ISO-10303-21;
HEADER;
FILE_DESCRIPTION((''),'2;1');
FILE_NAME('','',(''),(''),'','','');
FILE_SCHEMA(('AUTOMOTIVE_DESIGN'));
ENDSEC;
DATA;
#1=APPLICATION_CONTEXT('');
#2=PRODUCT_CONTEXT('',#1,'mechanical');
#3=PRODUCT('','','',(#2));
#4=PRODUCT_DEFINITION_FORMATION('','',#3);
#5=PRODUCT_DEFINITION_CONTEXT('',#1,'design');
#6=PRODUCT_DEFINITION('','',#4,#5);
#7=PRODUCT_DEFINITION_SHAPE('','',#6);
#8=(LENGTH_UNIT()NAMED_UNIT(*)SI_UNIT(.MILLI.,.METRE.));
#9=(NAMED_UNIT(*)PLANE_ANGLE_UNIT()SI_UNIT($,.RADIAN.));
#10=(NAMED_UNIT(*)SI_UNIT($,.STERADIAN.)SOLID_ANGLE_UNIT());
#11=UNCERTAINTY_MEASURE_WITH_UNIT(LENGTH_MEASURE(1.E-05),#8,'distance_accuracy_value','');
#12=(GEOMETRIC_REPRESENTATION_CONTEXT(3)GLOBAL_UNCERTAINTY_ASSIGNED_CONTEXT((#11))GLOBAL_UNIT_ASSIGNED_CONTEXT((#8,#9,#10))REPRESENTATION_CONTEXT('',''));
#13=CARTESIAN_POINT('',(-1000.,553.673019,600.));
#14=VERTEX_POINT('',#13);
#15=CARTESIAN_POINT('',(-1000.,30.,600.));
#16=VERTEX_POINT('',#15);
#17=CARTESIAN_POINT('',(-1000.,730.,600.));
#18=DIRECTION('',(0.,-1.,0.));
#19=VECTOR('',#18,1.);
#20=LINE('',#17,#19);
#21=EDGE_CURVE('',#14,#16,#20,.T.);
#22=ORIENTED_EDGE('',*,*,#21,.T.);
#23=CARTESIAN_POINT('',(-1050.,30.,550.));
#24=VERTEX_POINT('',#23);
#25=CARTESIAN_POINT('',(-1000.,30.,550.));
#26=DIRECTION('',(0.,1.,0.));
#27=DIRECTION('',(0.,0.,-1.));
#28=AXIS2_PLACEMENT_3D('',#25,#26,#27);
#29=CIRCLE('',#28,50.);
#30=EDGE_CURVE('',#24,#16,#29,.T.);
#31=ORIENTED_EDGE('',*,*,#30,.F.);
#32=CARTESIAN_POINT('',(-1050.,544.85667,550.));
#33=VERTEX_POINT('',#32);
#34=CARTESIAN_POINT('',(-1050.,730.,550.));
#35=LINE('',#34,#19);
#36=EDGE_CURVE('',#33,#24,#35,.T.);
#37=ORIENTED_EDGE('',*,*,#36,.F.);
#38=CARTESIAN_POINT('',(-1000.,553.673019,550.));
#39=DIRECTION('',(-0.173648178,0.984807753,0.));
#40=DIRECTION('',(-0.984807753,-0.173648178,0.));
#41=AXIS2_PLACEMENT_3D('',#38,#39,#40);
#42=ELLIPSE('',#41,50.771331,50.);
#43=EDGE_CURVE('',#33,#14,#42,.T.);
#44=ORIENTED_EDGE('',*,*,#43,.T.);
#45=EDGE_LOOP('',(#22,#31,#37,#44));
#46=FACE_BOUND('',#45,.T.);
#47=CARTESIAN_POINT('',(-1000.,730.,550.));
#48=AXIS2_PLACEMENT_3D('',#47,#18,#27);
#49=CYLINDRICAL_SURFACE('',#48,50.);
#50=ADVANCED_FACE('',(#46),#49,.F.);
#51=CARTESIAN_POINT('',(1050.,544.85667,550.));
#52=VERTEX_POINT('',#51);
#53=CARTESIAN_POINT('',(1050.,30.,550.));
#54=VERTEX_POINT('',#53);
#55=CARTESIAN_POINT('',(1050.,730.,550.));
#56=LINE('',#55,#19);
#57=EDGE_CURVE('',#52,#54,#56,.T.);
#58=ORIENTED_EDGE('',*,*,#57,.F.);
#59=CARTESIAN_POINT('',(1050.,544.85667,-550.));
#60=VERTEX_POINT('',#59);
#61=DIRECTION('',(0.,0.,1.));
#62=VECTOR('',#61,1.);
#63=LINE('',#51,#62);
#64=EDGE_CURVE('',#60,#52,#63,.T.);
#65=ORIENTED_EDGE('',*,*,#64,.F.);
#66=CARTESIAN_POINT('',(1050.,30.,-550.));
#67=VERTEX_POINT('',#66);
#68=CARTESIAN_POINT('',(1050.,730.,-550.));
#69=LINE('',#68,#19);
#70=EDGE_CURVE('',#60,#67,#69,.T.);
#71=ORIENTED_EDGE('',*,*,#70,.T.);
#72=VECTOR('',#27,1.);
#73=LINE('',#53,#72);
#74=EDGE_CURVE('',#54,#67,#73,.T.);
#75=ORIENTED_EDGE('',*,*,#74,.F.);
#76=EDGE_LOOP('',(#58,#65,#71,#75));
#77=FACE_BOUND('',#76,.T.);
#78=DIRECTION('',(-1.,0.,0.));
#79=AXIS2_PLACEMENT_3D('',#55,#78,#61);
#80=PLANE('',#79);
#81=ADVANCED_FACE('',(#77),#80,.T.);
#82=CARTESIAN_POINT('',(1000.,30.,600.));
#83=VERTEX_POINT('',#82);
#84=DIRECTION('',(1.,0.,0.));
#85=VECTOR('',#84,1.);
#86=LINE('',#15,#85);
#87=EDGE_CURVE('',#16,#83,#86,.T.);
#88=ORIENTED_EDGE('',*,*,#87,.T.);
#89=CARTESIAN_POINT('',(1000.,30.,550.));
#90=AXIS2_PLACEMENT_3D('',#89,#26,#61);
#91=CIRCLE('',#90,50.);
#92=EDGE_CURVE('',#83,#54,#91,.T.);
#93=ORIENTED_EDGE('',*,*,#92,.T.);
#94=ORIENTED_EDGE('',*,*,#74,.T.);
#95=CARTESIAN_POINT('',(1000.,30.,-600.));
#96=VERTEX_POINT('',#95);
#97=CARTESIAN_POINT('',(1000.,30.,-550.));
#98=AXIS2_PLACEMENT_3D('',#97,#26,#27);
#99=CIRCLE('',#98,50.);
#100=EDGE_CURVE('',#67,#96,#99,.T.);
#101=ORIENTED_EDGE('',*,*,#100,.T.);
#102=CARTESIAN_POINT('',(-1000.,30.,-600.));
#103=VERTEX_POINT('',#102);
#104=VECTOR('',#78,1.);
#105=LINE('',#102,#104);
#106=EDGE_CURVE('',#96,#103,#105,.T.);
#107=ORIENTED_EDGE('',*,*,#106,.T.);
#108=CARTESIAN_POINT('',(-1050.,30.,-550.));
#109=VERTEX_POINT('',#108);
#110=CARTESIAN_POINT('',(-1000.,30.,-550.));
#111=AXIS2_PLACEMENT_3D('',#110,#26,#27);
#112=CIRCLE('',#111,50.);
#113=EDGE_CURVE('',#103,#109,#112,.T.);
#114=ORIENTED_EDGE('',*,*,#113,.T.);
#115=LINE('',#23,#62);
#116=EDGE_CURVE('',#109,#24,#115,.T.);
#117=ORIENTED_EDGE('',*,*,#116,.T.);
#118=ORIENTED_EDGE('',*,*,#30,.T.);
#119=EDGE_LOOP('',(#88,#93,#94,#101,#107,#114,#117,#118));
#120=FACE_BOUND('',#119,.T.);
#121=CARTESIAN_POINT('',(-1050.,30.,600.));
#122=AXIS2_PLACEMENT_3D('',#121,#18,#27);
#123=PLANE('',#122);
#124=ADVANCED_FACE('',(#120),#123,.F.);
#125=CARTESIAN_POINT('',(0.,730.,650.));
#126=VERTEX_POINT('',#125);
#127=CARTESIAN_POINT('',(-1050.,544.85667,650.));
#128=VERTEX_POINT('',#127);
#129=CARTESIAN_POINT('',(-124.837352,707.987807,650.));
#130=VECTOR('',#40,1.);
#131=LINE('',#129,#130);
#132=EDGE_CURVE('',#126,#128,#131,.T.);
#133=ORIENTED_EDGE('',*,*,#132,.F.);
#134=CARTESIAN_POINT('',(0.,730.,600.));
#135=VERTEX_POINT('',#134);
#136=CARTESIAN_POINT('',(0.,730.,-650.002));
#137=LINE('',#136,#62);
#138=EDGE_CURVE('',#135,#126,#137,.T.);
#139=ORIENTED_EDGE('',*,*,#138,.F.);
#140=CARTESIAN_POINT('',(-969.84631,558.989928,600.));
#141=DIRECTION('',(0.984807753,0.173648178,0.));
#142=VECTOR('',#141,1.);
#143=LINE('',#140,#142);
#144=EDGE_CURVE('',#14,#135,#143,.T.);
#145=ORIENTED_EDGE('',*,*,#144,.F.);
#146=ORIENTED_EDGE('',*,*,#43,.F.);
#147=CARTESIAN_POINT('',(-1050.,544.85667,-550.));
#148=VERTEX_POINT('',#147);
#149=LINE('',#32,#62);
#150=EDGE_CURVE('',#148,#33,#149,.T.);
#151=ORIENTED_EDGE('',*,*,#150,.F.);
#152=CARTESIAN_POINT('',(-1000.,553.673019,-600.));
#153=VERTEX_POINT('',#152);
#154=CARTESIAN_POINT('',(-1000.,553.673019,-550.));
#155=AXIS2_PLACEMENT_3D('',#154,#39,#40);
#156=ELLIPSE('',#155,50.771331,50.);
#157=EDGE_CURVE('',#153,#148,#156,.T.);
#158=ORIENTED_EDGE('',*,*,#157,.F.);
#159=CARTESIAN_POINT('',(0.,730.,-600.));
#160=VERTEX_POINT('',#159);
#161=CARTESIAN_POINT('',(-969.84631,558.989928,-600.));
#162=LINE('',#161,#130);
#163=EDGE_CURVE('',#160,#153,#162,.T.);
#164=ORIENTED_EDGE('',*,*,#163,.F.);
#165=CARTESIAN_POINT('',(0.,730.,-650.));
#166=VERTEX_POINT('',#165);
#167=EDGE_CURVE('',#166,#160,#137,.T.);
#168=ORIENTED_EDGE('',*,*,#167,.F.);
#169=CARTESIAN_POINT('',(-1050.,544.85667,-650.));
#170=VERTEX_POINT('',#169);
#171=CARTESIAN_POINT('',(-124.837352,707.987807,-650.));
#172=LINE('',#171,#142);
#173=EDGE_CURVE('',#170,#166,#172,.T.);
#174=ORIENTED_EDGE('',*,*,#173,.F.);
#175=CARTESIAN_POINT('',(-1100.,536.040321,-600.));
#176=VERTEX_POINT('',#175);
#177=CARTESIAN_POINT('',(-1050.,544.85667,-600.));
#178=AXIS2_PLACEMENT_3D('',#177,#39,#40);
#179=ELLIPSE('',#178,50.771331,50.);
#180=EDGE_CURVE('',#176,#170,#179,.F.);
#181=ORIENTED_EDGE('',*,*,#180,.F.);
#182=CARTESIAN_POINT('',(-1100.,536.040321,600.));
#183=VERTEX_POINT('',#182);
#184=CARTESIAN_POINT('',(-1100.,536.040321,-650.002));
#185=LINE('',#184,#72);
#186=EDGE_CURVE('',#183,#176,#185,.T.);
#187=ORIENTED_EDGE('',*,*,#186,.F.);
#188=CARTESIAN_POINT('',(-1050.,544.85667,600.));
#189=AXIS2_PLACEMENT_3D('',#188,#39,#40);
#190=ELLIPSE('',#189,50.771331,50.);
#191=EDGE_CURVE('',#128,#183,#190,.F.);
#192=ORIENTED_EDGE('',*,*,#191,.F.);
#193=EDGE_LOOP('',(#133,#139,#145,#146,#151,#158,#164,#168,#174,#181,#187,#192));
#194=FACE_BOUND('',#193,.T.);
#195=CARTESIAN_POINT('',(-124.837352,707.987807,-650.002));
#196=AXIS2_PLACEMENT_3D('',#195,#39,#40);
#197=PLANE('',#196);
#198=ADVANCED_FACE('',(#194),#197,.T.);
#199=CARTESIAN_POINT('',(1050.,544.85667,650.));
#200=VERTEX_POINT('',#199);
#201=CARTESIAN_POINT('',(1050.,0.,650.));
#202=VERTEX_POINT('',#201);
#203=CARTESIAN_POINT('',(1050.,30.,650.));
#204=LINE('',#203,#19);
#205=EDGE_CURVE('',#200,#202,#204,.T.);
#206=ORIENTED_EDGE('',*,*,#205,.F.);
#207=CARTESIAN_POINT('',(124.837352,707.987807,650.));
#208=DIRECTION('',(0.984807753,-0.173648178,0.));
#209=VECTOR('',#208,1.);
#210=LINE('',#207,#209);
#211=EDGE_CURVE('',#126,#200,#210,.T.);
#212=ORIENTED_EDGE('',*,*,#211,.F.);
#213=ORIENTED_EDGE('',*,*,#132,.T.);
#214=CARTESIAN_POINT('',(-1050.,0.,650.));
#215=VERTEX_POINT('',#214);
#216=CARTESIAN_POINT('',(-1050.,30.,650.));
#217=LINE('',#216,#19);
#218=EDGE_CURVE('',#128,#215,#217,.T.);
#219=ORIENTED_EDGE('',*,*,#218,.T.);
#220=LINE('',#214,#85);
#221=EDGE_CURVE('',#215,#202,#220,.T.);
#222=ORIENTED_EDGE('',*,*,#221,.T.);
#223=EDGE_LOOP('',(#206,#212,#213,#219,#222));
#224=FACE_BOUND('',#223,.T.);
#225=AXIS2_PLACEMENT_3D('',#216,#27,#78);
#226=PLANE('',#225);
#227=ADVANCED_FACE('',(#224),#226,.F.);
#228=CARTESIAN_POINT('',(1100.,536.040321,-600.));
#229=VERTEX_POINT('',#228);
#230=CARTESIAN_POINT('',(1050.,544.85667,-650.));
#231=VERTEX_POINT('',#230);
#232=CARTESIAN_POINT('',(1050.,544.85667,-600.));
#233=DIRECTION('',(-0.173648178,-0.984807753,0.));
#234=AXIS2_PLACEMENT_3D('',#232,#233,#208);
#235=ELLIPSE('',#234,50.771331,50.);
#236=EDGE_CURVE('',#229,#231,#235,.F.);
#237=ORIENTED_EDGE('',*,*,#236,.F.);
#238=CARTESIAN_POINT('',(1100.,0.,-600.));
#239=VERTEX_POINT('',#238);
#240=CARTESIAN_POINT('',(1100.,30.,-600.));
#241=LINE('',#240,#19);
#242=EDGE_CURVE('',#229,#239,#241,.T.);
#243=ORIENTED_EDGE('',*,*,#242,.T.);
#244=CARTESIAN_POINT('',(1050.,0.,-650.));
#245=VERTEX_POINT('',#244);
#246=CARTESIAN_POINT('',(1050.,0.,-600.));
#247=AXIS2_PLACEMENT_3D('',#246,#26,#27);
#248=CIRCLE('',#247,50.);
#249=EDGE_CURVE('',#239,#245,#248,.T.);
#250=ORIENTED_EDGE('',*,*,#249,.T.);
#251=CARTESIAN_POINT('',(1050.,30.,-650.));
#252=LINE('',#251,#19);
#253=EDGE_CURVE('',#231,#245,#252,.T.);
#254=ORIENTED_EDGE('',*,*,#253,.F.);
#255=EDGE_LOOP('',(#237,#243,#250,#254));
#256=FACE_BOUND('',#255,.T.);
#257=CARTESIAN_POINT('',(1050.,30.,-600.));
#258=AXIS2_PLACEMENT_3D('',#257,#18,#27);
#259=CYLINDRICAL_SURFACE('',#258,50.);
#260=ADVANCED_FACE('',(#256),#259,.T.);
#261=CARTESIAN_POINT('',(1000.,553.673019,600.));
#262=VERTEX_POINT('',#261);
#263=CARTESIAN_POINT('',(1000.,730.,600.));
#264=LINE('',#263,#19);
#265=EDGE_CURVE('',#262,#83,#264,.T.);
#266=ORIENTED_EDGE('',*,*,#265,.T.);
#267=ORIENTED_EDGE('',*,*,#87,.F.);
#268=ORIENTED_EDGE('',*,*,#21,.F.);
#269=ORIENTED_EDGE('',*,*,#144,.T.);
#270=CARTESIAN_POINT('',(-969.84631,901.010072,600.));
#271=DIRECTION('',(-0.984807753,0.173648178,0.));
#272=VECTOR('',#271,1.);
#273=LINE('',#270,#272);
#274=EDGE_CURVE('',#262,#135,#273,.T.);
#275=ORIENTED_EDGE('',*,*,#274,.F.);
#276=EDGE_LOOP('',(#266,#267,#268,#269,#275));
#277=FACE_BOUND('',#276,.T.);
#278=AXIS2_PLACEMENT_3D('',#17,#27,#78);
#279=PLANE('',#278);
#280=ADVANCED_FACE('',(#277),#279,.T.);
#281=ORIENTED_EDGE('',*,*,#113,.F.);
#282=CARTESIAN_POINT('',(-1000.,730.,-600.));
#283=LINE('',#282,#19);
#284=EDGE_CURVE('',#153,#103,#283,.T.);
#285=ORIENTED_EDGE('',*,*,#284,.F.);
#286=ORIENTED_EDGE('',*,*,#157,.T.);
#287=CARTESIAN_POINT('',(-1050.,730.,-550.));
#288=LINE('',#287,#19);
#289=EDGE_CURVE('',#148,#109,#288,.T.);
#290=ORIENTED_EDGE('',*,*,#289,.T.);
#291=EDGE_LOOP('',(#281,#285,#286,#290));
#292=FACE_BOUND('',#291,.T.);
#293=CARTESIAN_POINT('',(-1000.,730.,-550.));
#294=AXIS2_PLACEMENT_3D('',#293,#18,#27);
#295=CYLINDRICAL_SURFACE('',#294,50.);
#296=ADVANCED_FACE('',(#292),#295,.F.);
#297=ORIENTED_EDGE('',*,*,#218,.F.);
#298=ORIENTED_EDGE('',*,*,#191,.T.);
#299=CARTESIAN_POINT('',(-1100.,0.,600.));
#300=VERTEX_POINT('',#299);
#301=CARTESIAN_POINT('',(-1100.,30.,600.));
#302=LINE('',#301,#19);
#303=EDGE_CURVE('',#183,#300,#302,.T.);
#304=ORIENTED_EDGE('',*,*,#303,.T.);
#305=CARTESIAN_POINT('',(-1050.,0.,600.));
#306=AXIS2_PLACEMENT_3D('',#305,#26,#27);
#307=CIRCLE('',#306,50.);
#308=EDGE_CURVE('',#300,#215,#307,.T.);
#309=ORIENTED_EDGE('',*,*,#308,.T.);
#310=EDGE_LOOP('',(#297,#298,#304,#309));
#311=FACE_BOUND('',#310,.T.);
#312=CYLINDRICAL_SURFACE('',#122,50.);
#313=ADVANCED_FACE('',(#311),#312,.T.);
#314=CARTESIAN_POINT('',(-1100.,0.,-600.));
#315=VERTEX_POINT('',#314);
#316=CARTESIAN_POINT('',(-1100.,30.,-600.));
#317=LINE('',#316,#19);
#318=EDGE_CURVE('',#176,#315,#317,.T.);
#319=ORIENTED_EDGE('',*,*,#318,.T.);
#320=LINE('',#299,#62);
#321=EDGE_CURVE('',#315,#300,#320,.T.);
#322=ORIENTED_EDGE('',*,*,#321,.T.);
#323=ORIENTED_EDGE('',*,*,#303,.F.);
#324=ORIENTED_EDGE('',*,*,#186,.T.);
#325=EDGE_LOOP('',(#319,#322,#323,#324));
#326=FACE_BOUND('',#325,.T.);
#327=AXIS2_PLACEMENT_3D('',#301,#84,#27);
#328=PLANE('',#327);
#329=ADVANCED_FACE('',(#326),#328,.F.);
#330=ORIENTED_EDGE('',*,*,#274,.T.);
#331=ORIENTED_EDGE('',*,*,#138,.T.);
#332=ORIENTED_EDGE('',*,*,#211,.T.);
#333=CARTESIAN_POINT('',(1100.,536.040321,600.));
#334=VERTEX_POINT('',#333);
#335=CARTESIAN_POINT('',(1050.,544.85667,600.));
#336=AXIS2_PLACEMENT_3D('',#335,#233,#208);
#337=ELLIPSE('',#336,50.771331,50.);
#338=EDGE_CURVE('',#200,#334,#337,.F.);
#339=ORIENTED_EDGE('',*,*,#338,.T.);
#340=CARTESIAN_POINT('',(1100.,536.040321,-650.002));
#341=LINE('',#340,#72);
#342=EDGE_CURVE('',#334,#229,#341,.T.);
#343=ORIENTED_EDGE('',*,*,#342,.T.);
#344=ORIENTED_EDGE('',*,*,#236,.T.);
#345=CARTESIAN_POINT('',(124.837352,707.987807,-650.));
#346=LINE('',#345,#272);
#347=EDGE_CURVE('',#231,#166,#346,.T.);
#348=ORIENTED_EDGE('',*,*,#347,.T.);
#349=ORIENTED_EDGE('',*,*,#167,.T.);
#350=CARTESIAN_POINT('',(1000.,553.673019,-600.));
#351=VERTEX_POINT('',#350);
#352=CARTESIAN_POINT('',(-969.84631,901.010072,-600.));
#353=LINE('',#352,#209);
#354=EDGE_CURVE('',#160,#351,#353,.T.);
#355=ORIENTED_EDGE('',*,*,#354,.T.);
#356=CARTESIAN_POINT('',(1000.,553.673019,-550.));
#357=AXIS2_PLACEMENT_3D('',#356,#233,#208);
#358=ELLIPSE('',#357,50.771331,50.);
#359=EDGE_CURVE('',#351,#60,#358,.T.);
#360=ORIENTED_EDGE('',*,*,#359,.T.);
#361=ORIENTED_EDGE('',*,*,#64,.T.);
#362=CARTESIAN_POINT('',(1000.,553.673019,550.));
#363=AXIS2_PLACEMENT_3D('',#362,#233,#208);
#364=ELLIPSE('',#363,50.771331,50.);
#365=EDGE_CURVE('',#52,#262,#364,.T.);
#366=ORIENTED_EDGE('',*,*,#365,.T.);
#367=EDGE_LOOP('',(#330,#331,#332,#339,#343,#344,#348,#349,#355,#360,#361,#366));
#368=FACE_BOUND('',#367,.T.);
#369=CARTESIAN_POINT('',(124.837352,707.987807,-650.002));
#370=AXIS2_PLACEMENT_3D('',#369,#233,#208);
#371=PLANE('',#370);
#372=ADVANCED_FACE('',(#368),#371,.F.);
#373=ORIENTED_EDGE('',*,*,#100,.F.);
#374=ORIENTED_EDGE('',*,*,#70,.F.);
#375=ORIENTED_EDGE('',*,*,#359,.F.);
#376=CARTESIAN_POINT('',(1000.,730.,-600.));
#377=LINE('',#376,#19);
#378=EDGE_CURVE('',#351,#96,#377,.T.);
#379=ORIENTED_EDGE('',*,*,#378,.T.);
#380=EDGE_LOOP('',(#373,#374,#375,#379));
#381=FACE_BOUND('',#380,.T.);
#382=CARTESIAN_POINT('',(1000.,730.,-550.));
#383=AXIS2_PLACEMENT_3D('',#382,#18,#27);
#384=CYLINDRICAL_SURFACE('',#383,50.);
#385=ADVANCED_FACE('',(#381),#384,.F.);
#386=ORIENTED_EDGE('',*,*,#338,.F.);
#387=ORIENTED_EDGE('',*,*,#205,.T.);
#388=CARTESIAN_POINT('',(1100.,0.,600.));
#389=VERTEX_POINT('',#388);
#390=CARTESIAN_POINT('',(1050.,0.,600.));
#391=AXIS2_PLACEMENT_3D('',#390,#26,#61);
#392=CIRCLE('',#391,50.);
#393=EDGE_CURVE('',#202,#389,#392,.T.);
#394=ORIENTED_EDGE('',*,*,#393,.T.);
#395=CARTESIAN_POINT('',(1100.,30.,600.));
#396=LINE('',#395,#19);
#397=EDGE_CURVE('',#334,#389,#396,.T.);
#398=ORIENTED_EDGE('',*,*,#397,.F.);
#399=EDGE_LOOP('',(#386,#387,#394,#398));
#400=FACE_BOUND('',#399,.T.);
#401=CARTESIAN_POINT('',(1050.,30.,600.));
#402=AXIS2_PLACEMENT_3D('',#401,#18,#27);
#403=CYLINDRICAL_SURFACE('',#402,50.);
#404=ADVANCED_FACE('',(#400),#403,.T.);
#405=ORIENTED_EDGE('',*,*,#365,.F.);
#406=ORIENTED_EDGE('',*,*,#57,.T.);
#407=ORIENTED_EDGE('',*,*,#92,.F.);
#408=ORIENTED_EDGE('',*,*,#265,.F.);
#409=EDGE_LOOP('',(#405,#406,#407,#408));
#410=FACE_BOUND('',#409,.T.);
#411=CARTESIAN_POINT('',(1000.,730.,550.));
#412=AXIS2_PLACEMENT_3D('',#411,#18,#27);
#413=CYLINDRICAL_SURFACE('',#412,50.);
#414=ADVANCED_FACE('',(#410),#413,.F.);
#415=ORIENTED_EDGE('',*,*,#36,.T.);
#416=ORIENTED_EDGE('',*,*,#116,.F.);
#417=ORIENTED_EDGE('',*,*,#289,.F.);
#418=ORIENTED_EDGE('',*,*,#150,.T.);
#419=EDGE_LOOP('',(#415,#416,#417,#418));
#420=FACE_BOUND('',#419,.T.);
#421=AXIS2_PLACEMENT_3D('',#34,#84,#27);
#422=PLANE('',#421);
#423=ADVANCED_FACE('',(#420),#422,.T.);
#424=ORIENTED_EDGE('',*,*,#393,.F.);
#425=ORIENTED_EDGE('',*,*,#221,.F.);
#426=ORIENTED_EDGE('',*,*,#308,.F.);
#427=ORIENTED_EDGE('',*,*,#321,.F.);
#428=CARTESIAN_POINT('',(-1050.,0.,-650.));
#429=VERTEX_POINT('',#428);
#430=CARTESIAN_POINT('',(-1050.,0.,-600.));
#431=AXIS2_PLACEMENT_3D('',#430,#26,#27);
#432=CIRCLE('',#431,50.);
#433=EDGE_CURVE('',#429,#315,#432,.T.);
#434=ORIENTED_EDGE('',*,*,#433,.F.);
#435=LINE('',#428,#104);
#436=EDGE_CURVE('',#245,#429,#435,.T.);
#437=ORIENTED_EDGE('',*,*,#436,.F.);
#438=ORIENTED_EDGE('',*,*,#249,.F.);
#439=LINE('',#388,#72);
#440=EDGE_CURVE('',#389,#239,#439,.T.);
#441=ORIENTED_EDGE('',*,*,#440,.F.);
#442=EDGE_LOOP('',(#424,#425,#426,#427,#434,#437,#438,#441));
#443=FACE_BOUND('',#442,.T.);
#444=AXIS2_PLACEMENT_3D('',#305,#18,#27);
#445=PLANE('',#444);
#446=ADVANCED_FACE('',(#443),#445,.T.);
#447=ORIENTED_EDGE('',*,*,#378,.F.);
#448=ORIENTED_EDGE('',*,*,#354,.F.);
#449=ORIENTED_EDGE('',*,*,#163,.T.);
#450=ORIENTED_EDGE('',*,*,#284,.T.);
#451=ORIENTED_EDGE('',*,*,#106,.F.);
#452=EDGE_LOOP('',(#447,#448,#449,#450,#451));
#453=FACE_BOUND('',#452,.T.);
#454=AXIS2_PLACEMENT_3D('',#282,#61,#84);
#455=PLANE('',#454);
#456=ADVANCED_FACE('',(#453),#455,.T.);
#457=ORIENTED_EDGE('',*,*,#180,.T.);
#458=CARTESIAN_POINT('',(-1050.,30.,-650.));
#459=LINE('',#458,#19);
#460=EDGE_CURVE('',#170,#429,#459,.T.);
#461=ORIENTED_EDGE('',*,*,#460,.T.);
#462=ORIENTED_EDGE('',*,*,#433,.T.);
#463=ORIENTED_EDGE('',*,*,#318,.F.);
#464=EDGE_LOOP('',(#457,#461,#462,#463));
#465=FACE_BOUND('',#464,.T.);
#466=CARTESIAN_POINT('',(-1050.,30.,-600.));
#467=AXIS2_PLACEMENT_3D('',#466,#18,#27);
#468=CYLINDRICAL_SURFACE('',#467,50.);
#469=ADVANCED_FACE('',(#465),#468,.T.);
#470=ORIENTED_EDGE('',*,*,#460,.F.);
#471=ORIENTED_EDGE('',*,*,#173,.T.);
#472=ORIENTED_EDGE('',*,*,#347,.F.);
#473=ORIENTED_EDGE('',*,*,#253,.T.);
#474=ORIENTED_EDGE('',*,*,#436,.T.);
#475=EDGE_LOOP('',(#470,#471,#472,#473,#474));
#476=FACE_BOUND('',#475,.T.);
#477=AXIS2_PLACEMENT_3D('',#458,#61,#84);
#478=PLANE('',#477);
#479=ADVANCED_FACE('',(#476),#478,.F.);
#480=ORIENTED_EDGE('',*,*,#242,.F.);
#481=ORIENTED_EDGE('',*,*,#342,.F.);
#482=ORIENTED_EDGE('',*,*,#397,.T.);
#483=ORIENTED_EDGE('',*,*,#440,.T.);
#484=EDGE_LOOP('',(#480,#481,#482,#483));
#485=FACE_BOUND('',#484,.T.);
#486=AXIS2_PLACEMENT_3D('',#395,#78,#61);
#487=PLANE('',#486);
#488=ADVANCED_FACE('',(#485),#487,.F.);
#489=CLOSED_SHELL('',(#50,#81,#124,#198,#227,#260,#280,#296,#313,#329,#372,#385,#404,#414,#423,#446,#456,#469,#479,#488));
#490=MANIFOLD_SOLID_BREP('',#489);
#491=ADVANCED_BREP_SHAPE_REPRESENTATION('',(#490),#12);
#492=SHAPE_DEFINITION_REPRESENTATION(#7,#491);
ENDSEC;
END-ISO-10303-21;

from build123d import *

# Parameters (mm, degrees)
EXTRUDE_1_DEPTH     = 30
EXTRUDE_2_DEPTH     = 700
CUT_EXTRUDE_1_REACH = 1854.809


with BuildPart() as part:
    # Эскиз1 → Бобышка-Вытянуть1 (new body)
    with BuildSketch(Plane(origin=(0, 0, 0), x_dir=(1, 0, 0), z_dir=(0, 1, 0))):
        with BuildLine():
            Line((-1050, -650), (1050, -650))
            ThreePointArc((1050, -650), (1085.355339059, -635.355339059), (1100, -600))
            Line((1100, -600), (1100, 600))
            ThreePointArc((1100, 600), (1085.355339059, 635.355339059), (1050, 650))
            Line((1050, 650), (-1050, 650))
            ThreePointArc((-1050, 650), (-1085.355339059, 635.355339059), (-1100, 600))
            Line((-1100, 600), (-1100, -600))
            ThreePointArc((-1100, -600), (-1085.355339059, -635.355339059), (-1050, -650))
        make_face()
    extrude(amount=EXTRUDE_1_DEPTH)

    # Эскиз2 → Бобышка-Вытянуть2 (add)
    with BuildSketch(Plane(origin=(0, 30, 0), x_dir=(1, 0, 0), z_dir=(0, 1, 0))):
        with BuildLine():
            Line((-1050, -650), (1050, -650))
            ThreePointArc((1050, -650), (1085.355339059, -635.355339059), (1100, -600))
            Line((1100, -600), (1100, 600))
            ThreePointArc((1100, 600), (1085.355339059, 635.355339059), (1050, 650))
            Line((1050, 650), (-1050, 650))
            ThreePointArc((-1050, 650), (-1085.355339059, 635.355339059), (-1100, 600))
            Line((-1100, 600), (-1100, -600))
            ThreePointArc((-1100, -600), (-1085.355339059, -635.355339059), (-1050, -650))
        make_face()
        with BuildLine():
            Line((-1000, -600), (1000, -600))
            ThreePointArc((1000, -600), (1035.355339059, -585.355339059), (1050, -550))
            Line((1050, -550), (1050, 550))
            ThreePointArc((1050, 550), (1035.355339059, 585.355339059), (1000, 600))
            Line((1000, 600), (-1000, 600))
            ThreePointArc((-1000, 600), (-1035.355339059, 585.355339059), (-1050, 550))
            Line((-1050, 550), (-1050, -550))
            ThreePointArc((-1050, -550), (-1035.355339059, -585.355339059), (-1000, -600))
        make_face(mode=Mode.SUBTRACT)
    extrude(amount=EXTRUDE_2_DEPTH)

    # Эскиз3 → Вырез-Вытянуть1 (cut, up to next)
    with BuildSketch(Plane.XY.offset(650), mode=Mode.PRIVATE) as cut_extrude_1_sk1:
        Polygon((0, 730), (1300, 500.774925079), (1300, 730), (-1300, 730), (-1300, 500.774925079), align=None)
    cut_extrude_1_tool1 = extrude(cut_extrude_1_sk1.sketch, amount=-CUT_EXTRUDE_1_REACH, mode=Mode.PRIVATE) & part.part
    add(cut_extrude_1_tool1.solids().sort_by_distance((654.532365, 641.091783, 650))[0], mode=Mode.SUBTRACT)
    add(cut_extrude_1_tool1.solids().sort_by_distance((654.532365, 641.091783, 650))[1], mode=Mode.SUBTRACT)


solid = part.part
